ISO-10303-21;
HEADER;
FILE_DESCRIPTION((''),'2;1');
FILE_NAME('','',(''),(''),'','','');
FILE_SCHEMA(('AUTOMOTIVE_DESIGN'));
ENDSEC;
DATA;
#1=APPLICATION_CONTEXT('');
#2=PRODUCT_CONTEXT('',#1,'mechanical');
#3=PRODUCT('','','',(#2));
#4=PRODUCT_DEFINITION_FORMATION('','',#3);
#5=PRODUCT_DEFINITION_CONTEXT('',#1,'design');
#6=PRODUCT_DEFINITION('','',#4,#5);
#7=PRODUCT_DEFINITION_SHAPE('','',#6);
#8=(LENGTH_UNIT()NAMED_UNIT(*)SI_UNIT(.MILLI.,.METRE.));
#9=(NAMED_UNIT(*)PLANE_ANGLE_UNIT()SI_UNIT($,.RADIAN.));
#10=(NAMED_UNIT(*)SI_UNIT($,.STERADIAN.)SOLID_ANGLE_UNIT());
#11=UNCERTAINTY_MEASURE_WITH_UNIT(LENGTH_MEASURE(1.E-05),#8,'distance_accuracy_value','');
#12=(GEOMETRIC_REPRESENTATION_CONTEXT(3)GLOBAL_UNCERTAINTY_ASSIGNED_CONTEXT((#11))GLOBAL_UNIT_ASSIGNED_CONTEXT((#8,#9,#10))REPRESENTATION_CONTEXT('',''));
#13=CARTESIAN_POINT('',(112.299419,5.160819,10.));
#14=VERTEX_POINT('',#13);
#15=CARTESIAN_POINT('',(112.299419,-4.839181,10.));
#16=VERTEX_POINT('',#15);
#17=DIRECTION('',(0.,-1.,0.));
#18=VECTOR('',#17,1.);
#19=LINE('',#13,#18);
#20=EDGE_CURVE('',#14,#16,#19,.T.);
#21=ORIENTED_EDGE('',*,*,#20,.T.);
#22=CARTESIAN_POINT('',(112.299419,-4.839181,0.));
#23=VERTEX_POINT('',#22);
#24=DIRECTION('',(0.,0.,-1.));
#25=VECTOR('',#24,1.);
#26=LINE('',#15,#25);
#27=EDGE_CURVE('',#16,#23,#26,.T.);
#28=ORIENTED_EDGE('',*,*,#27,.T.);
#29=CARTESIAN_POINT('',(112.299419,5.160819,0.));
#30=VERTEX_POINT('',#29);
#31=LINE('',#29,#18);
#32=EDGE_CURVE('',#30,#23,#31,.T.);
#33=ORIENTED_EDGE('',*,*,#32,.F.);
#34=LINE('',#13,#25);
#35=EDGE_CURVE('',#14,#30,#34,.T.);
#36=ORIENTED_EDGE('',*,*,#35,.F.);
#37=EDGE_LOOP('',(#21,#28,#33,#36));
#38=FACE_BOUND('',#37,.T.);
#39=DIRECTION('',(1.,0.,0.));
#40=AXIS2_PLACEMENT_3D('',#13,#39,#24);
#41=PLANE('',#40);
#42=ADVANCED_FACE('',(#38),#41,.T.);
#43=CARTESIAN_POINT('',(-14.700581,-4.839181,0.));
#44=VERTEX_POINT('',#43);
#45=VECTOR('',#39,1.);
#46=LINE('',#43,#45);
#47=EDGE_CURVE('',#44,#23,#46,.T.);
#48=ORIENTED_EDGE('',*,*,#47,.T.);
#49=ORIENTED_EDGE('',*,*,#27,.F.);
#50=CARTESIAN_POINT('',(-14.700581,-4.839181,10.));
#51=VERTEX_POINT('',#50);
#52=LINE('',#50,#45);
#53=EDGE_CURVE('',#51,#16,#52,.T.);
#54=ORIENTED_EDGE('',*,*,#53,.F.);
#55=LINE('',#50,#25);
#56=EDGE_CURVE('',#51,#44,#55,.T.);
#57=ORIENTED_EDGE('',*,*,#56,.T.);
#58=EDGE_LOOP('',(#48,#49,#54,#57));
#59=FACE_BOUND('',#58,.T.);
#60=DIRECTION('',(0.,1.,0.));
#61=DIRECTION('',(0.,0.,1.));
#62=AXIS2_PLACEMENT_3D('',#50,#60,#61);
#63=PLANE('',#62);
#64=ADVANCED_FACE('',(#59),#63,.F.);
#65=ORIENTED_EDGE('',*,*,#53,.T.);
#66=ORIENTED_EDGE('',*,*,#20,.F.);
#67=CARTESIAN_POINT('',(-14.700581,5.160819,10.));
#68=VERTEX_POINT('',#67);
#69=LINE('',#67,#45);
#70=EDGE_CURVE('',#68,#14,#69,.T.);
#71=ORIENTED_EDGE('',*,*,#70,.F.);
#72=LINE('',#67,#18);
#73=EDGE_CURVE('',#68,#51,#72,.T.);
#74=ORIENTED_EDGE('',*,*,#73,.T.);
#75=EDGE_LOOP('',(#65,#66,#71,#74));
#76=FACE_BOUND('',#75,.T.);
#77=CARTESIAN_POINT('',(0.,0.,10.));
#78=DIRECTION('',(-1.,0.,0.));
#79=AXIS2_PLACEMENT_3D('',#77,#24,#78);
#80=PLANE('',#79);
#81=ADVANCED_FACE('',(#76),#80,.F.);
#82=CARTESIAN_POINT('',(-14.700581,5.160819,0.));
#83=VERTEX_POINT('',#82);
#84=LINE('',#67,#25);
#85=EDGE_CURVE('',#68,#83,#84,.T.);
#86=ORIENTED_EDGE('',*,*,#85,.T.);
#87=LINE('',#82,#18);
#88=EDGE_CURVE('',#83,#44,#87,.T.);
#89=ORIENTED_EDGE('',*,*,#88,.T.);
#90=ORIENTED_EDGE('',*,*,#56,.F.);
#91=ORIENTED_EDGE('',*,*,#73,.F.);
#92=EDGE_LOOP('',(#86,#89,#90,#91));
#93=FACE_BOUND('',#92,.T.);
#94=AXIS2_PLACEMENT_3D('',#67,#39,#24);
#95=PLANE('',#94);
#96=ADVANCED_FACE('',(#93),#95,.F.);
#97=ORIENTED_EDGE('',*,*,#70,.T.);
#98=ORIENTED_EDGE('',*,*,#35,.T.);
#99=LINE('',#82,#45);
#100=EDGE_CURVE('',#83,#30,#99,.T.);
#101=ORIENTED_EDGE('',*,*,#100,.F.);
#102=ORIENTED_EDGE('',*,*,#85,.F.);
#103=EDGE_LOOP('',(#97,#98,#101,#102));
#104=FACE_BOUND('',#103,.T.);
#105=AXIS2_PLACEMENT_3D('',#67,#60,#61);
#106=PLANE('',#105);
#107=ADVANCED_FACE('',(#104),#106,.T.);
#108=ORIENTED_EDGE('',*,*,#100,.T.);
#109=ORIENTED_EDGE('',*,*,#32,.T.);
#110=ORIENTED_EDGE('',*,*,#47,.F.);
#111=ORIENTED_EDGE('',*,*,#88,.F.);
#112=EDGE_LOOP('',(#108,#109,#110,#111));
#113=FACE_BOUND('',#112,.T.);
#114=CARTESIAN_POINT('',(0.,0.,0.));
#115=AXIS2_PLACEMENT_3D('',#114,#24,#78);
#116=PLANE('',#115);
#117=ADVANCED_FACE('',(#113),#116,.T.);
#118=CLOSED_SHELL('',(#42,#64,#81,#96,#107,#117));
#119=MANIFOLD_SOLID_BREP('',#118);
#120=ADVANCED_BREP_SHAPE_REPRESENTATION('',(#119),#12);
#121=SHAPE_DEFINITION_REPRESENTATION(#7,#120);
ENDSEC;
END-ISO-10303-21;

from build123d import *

# Parameters (mm, degrees)
ESQUISSE1_W        = 127
ESQUISSE1_H        = 10
BOSS_EXTRU_1_DEPTH = 10


with BuildPart() as part:
    # Esquisse1 → Boss.-Extru.1 (new body)
    with BuildSketch(Plane.XY):
        with Locations((48.799419052, 0.160818713)):
            Rectangle(ESQUISSE1_W, ESQUISSE1_H)
    extrude(amount=BOSS_EXTRU_1_DEPTH)


solid = part.part
